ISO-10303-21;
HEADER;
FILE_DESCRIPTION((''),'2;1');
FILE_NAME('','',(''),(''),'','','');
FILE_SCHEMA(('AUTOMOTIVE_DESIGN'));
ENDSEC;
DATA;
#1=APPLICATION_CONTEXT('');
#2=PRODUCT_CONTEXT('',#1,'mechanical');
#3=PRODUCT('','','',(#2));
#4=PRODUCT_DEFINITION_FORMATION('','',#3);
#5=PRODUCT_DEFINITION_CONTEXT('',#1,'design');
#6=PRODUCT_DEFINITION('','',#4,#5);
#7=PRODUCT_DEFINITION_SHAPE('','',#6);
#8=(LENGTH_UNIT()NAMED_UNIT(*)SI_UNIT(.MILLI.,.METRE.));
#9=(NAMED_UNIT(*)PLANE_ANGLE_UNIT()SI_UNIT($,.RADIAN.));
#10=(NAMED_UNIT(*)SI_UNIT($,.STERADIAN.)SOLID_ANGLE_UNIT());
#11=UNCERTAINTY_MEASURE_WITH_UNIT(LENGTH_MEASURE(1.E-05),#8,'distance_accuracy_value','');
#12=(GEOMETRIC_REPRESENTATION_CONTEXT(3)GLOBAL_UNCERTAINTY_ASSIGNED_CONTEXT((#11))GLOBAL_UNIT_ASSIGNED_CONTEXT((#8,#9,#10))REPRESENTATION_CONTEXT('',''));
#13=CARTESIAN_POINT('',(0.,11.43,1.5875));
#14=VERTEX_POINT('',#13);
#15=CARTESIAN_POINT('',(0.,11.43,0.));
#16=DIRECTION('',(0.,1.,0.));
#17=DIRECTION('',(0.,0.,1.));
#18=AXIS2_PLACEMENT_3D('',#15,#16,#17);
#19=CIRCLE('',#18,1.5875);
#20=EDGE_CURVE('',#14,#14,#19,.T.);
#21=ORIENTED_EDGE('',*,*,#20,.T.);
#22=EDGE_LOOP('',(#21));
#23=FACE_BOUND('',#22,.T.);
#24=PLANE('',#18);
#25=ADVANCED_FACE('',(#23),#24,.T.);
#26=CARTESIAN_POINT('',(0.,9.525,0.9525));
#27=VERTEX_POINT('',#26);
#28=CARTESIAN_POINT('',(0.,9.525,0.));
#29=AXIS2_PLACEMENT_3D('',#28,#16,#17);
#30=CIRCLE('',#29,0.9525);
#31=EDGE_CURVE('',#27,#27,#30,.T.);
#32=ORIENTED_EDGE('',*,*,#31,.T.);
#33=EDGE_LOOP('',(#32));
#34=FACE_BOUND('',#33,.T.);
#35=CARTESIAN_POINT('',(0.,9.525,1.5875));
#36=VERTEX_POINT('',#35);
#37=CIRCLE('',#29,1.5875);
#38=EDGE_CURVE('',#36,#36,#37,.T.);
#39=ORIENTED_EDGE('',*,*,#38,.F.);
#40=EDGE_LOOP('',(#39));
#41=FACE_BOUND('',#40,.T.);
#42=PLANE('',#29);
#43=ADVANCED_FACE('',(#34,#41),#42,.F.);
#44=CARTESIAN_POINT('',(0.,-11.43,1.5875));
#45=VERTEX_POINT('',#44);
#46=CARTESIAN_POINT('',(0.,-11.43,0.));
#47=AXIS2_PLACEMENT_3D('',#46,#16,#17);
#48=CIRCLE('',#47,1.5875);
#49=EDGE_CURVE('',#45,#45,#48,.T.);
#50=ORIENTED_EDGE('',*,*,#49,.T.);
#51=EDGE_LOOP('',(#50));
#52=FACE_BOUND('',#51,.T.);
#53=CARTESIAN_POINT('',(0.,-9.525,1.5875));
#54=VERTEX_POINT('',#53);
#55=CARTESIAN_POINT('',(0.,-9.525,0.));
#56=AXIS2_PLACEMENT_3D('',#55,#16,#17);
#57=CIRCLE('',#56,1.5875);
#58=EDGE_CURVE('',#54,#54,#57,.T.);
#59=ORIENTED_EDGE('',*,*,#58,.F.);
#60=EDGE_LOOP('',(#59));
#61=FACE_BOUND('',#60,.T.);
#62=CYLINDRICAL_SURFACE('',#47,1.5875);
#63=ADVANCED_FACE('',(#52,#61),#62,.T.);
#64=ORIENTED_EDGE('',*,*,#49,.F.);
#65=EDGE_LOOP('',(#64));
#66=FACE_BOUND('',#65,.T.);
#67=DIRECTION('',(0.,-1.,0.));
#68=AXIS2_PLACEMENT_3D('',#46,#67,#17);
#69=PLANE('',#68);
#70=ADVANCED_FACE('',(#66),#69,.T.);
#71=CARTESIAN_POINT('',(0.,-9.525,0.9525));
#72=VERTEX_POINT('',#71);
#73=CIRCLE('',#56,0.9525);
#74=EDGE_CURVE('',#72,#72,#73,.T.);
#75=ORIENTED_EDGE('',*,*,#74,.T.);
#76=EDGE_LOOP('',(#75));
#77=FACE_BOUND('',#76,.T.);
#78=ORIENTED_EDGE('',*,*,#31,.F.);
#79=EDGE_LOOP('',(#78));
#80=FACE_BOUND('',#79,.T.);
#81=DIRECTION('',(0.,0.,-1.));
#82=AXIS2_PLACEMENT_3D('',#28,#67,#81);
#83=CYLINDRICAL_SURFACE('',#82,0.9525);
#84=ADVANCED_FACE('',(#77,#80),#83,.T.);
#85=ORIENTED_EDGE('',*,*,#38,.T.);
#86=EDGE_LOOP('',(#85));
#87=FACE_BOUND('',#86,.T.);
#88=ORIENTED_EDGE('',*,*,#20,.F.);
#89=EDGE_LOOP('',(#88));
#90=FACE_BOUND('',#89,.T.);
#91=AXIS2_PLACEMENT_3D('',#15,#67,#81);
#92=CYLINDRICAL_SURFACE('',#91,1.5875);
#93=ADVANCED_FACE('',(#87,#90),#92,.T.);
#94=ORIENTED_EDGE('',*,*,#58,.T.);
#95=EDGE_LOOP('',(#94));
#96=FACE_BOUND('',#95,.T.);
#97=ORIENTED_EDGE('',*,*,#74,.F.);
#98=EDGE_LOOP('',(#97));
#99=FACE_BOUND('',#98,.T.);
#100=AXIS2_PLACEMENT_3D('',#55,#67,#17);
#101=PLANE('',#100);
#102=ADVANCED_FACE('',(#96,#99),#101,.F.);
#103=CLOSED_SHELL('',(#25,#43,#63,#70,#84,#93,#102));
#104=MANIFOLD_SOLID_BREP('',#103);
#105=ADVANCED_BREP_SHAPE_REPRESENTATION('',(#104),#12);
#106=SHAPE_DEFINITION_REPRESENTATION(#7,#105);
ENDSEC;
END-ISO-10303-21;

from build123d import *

# Parameters (mm, degrees)
SKETCH1_R           = 0.9525
BOSS_EXTRUDE1_DEPTH = 9.525
SKETCH2_R           = 1.5875
BOSS_EXTRUDE2_DEPTH = 1.905


with BuildPart() as part:
    # Sketch1 → Boss-Extrude1 (new body)
    with BuildSketch(Plane(origin=(0, 0, 0), x_dir=(1, 0, 0), z_dir=(0, 1, 0))):
        Circle(SKETCH1_R)
    boss_extrude1 = extrude(amount=BOSS_EXTRUDE1_DEPTH)

    # Sketch2 → Boss-Extrude2 (add)
    with BuildSketch(Plane(origin=(0, 9.525, 0), x_dir=(1, 0, 0), z_dir=(0, 1, 0))):
        Circle(SKETCH2_R)
    boss_extrude2 = extrude(amount=BOSS_EXTRUDE2_DEPTH)

    # Mirror1: Boss-Extrude1, Boss-Extrude2 across plane
    add(boss_extrude1.mirror(Plane.ZX))
    add(boss_extrude2.mirror(Plane.ZX))


solid = part.part
